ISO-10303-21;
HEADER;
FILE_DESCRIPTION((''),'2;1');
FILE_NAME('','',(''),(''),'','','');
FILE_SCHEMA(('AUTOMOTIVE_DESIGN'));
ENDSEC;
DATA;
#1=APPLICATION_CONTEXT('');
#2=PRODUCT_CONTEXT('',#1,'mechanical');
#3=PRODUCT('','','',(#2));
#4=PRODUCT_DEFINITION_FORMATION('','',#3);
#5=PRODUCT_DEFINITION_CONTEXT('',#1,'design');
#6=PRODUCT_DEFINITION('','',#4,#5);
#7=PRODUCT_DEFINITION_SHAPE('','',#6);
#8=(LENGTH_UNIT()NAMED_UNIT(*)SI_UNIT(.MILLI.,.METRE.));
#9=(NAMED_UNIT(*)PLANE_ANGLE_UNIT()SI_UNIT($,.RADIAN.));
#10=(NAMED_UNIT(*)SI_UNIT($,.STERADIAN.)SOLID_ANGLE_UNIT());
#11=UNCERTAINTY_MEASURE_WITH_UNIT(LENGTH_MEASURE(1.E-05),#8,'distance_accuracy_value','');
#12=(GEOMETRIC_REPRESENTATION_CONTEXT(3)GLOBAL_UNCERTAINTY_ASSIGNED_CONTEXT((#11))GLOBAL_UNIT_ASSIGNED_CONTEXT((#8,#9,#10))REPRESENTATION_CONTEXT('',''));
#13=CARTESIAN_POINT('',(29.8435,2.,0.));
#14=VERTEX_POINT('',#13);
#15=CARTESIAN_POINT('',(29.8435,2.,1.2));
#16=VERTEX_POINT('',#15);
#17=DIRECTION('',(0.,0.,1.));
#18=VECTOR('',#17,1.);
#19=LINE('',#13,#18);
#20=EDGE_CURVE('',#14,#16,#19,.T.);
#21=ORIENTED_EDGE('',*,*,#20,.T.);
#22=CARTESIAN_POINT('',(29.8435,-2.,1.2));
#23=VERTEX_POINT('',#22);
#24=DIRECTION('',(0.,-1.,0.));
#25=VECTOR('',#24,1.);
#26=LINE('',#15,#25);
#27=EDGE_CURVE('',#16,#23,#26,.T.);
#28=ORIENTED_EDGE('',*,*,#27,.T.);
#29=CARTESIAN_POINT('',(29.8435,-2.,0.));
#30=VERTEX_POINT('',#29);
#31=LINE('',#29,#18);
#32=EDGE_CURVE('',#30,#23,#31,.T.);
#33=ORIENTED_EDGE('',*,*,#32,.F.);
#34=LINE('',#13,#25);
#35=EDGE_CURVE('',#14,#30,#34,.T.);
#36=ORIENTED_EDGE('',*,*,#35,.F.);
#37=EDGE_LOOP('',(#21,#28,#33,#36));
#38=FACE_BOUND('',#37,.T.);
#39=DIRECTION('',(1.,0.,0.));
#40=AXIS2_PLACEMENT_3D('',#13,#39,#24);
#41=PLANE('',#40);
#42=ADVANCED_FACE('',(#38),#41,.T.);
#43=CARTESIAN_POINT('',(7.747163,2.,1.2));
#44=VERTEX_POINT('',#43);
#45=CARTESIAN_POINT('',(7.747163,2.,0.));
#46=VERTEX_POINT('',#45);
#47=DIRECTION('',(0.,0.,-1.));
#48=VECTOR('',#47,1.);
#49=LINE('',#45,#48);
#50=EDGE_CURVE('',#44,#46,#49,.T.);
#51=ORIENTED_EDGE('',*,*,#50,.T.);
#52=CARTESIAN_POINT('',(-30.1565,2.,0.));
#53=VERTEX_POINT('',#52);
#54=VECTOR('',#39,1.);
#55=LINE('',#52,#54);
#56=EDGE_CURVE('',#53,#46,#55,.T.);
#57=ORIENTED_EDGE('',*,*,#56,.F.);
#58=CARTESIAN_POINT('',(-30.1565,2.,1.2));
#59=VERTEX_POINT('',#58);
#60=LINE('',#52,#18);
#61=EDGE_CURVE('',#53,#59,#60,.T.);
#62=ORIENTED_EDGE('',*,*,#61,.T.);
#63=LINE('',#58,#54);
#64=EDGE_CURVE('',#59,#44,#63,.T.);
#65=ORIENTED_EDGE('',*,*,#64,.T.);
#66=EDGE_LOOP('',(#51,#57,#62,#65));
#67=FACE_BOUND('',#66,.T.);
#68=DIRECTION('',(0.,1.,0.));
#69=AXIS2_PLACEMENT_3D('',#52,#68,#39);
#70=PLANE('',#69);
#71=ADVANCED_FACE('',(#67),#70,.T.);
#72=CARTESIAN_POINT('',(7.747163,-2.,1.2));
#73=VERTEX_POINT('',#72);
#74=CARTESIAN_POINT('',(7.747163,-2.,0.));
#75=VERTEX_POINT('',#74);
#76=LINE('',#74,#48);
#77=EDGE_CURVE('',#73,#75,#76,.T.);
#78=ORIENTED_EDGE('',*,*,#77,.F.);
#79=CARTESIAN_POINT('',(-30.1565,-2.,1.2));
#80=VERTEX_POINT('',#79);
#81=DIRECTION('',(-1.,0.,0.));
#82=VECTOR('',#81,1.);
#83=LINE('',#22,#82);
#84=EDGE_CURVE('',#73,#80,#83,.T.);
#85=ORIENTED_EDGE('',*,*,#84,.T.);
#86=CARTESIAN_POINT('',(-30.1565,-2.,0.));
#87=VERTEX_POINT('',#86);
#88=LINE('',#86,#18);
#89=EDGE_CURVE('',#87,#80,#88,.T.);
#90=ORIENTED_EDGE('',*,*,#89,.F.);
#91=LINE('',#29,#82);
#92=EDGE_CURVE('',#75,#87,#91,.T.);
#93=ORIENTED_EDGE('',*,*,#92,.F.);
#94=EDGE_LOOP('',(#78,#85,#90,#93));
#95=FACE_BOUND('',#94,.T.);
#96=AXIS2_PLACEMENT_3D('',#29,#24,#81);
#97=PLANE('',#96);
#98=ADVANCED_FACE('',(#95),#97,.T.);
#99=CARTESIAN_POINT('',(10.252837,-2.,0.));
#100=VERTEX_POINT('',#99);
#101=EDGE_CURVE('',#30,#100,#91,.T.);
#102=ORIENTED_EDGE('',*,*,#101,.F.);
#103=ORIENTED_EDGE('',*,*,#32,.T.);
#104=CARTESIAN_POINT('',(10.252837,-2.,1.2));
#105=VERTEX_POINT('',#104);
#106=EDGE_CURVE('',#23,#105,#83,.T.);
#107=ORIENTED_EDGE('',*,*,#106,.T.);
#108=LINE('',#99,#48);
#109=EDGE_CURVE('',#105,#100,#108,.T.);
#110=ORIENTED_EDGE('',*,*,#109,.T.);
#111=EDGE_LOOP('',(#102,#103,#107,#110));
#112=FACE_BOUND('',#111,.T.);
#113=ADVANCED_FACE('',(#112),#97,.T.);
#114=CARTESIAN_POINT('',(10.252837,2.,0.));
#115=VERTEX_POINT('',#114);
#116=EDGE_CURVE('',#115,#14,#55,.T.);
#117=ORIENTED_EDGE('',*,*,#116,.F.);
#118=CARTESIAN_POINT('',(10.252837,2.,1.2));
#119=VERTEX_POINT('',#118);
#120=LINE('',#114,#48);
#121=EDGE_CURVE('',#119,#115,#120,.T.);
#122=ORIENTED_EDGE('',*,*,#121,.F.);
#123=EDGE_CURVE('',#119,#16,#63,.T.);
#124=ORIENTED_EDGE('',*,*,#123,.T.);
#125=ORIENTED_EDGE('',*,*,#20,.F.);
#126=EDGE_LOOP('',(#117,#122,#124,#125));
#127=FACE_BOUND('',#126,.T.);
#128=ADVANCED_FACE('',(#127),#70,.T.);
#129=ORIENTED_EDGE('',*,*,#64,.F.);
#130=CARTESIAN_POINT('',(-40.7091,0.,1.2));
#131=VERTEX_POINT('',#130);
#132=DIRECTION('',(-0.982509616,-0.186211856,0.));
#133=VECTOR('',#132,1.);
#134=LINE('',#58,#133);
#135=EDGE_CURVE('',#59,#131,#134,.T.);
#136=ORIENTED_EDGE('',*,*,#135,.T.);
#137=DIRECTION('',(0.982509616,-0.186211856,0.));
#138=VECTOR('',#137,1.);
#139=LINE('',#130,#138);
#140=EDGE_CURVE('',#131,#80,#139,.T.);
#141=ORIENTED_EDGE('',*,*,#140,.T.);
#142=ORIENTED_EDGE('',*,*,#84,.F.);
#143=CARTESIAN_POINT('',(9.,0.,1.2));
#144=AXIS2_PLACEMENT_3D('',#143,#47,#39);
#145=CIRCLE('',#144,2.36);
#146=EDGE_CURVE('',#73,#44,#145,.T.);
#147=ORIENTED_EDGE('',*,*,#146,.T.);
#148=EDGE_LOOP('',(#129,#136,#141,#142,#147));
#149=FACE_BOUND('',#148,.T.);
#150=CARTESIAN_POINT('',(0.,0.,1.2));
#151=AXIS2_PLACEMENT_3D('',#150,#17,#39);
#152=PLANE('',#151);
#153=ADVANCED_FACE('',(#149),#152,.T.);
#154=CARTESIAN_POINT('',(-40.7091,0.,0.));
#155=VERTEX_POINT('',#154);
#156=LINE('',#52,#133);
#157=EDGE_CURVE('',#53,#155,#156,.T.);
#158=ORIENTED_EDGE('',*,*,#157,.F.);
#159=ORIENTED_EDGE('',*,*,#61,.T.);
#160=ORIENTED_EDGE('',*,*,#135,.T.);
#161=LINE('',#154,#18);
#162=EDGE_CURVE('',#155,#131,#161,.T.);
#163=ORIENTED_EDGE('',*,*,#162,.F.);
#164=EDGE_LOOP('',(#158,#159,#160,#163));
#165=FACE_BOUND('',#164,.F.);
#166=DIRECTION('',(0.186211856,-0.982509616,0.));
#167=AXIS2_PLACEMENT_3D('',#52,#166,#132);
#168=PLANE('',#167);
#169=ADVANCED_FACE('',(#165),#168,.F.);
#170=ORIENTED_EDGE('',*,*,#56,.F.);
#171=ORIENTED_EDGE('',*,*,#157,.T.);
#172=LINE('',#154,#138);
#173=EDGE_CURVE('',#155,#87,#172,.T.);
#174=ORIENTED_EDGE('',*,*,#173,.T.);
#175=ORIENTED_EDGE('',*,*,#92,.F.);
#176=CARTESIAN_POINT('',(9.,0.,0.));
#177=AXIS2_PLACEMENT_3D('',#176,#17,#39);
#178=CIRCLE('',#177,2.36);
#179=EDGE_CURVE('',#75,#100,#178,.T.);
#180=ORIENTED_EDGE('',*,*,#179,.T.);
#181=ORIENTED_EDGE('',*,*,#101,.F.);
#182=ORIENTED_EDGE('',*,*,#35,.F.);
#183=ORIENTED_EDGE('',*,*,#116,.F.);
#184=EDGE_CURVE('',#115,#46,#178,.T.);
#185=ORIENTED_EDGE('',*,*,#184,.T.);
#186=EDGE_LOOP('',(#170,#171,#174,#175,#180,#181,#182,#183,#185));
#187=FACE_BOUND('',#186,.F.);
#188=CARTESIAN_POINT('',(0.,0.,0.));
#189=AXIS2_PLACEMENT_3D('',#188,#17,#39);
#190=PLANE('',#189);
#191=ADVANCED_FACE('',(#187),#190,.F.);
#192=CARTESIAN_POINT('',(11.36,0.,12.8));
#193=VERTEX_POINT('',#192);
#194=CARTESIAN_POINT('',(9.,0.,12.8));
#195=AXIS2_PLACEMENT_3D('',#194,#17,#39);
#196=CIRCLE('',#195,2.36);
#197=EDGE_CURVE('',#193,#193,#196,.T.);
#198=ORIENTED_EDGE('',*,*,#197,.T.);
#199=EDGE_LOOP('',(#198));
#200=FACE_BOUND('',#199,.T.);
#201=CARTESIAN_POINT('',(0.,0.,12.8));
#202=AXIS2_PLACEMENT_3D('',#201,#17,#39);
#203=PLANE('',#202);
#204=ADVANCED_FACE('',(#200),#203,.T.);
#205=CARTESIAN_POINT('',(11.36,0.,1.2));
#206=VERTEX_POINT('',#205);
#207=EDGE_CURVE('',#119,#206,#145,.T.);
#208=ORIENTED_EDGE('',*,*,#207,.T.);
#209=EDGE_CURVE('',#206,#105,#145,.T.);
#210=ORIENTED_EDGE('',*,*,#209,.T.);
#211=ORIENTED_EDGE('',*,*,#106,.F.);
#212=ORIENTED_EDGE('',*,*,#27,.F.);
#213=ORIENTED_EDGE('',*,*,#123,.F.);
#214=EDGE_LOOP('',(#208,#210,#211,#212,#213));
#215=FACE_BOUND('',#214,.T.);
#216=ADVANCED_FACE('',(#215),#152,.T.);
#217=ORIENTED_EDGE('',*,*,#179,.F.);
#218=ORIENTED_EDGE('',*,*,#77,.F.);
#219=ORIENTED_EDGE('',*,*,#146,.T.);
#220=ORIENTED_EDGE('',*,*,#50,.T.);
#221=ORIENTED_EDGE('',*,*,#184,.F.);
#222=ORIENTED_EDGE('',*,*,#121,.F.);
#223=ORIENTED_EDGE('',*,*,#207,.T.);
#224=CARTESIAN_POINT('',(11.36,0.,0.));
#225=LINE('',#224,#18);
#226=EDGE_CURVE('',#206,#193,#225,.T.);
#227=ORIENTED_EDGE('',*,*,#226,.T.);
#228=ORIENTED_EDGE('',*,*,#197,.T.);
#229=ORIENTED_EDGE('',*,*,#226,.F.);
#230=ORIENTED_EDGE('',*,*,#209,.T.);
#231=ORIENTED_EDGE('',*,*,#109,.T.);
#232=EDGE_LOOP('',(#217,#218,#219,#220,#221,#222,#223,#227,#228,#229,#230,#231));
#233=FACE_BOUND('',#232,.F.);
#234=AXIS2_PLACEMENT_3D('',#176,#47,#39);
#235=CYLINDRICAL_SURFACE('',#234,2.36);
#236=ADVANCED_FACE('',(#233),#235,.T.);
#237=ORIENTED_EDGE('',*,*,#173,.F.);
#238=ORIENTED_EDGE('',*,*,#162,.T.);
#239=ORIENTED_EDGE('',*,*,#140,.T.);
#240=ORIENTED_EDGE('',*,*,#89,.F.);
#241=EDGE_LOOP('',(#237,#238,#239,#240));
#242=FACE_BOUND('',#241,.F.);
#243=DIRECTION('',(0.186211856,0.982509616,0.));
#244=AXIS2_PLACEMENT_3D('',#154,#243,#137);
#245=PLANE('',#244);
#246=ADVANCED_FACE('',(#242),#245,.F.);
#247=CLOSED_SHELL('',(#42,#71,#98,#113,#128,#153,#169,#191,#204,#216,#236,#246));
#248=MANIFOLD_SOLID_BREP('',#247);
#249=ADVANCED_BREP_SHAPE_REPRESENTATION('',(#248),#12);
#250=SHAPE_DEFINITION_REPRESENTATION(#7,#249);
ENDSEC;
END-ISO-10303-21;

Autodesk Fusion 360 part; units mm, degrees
sketch "草图1" plane through (0, 0, 0) normal (0, 0, 1) x (1, 0, 0)
  line L0 (29.8435, -2) -> (-30.1565, -2)
  line L1 (-30.1565, -2) -> (-30.1565, 2)
  line L2 (-30.1565, 2) -> (29.8435, 2)
  line L3 (29.8435, 2) -> (29.8435, -2)
  line L4 (-30.1565, 2) -> (-40.7091, 0)
  line L5 (-40.7091, 0) -> (-30.1565, -2)
  point P0 (-0.1565, 0)
  dimension "d1" = 60
  dimension "d2" = 4
extrude "拉伸1" add sketch "草图1" along normal blind 1.2
sketch "草图2" plane through (0, 0, 0) normal (0, 0, 1) x (1, 0, 0)
  circle A0 centre (9, 0) radius 2.36
  dimension "d5" = 4.72
extrude "拉伸2" add sketch "草图2" along normal blind 12.8
